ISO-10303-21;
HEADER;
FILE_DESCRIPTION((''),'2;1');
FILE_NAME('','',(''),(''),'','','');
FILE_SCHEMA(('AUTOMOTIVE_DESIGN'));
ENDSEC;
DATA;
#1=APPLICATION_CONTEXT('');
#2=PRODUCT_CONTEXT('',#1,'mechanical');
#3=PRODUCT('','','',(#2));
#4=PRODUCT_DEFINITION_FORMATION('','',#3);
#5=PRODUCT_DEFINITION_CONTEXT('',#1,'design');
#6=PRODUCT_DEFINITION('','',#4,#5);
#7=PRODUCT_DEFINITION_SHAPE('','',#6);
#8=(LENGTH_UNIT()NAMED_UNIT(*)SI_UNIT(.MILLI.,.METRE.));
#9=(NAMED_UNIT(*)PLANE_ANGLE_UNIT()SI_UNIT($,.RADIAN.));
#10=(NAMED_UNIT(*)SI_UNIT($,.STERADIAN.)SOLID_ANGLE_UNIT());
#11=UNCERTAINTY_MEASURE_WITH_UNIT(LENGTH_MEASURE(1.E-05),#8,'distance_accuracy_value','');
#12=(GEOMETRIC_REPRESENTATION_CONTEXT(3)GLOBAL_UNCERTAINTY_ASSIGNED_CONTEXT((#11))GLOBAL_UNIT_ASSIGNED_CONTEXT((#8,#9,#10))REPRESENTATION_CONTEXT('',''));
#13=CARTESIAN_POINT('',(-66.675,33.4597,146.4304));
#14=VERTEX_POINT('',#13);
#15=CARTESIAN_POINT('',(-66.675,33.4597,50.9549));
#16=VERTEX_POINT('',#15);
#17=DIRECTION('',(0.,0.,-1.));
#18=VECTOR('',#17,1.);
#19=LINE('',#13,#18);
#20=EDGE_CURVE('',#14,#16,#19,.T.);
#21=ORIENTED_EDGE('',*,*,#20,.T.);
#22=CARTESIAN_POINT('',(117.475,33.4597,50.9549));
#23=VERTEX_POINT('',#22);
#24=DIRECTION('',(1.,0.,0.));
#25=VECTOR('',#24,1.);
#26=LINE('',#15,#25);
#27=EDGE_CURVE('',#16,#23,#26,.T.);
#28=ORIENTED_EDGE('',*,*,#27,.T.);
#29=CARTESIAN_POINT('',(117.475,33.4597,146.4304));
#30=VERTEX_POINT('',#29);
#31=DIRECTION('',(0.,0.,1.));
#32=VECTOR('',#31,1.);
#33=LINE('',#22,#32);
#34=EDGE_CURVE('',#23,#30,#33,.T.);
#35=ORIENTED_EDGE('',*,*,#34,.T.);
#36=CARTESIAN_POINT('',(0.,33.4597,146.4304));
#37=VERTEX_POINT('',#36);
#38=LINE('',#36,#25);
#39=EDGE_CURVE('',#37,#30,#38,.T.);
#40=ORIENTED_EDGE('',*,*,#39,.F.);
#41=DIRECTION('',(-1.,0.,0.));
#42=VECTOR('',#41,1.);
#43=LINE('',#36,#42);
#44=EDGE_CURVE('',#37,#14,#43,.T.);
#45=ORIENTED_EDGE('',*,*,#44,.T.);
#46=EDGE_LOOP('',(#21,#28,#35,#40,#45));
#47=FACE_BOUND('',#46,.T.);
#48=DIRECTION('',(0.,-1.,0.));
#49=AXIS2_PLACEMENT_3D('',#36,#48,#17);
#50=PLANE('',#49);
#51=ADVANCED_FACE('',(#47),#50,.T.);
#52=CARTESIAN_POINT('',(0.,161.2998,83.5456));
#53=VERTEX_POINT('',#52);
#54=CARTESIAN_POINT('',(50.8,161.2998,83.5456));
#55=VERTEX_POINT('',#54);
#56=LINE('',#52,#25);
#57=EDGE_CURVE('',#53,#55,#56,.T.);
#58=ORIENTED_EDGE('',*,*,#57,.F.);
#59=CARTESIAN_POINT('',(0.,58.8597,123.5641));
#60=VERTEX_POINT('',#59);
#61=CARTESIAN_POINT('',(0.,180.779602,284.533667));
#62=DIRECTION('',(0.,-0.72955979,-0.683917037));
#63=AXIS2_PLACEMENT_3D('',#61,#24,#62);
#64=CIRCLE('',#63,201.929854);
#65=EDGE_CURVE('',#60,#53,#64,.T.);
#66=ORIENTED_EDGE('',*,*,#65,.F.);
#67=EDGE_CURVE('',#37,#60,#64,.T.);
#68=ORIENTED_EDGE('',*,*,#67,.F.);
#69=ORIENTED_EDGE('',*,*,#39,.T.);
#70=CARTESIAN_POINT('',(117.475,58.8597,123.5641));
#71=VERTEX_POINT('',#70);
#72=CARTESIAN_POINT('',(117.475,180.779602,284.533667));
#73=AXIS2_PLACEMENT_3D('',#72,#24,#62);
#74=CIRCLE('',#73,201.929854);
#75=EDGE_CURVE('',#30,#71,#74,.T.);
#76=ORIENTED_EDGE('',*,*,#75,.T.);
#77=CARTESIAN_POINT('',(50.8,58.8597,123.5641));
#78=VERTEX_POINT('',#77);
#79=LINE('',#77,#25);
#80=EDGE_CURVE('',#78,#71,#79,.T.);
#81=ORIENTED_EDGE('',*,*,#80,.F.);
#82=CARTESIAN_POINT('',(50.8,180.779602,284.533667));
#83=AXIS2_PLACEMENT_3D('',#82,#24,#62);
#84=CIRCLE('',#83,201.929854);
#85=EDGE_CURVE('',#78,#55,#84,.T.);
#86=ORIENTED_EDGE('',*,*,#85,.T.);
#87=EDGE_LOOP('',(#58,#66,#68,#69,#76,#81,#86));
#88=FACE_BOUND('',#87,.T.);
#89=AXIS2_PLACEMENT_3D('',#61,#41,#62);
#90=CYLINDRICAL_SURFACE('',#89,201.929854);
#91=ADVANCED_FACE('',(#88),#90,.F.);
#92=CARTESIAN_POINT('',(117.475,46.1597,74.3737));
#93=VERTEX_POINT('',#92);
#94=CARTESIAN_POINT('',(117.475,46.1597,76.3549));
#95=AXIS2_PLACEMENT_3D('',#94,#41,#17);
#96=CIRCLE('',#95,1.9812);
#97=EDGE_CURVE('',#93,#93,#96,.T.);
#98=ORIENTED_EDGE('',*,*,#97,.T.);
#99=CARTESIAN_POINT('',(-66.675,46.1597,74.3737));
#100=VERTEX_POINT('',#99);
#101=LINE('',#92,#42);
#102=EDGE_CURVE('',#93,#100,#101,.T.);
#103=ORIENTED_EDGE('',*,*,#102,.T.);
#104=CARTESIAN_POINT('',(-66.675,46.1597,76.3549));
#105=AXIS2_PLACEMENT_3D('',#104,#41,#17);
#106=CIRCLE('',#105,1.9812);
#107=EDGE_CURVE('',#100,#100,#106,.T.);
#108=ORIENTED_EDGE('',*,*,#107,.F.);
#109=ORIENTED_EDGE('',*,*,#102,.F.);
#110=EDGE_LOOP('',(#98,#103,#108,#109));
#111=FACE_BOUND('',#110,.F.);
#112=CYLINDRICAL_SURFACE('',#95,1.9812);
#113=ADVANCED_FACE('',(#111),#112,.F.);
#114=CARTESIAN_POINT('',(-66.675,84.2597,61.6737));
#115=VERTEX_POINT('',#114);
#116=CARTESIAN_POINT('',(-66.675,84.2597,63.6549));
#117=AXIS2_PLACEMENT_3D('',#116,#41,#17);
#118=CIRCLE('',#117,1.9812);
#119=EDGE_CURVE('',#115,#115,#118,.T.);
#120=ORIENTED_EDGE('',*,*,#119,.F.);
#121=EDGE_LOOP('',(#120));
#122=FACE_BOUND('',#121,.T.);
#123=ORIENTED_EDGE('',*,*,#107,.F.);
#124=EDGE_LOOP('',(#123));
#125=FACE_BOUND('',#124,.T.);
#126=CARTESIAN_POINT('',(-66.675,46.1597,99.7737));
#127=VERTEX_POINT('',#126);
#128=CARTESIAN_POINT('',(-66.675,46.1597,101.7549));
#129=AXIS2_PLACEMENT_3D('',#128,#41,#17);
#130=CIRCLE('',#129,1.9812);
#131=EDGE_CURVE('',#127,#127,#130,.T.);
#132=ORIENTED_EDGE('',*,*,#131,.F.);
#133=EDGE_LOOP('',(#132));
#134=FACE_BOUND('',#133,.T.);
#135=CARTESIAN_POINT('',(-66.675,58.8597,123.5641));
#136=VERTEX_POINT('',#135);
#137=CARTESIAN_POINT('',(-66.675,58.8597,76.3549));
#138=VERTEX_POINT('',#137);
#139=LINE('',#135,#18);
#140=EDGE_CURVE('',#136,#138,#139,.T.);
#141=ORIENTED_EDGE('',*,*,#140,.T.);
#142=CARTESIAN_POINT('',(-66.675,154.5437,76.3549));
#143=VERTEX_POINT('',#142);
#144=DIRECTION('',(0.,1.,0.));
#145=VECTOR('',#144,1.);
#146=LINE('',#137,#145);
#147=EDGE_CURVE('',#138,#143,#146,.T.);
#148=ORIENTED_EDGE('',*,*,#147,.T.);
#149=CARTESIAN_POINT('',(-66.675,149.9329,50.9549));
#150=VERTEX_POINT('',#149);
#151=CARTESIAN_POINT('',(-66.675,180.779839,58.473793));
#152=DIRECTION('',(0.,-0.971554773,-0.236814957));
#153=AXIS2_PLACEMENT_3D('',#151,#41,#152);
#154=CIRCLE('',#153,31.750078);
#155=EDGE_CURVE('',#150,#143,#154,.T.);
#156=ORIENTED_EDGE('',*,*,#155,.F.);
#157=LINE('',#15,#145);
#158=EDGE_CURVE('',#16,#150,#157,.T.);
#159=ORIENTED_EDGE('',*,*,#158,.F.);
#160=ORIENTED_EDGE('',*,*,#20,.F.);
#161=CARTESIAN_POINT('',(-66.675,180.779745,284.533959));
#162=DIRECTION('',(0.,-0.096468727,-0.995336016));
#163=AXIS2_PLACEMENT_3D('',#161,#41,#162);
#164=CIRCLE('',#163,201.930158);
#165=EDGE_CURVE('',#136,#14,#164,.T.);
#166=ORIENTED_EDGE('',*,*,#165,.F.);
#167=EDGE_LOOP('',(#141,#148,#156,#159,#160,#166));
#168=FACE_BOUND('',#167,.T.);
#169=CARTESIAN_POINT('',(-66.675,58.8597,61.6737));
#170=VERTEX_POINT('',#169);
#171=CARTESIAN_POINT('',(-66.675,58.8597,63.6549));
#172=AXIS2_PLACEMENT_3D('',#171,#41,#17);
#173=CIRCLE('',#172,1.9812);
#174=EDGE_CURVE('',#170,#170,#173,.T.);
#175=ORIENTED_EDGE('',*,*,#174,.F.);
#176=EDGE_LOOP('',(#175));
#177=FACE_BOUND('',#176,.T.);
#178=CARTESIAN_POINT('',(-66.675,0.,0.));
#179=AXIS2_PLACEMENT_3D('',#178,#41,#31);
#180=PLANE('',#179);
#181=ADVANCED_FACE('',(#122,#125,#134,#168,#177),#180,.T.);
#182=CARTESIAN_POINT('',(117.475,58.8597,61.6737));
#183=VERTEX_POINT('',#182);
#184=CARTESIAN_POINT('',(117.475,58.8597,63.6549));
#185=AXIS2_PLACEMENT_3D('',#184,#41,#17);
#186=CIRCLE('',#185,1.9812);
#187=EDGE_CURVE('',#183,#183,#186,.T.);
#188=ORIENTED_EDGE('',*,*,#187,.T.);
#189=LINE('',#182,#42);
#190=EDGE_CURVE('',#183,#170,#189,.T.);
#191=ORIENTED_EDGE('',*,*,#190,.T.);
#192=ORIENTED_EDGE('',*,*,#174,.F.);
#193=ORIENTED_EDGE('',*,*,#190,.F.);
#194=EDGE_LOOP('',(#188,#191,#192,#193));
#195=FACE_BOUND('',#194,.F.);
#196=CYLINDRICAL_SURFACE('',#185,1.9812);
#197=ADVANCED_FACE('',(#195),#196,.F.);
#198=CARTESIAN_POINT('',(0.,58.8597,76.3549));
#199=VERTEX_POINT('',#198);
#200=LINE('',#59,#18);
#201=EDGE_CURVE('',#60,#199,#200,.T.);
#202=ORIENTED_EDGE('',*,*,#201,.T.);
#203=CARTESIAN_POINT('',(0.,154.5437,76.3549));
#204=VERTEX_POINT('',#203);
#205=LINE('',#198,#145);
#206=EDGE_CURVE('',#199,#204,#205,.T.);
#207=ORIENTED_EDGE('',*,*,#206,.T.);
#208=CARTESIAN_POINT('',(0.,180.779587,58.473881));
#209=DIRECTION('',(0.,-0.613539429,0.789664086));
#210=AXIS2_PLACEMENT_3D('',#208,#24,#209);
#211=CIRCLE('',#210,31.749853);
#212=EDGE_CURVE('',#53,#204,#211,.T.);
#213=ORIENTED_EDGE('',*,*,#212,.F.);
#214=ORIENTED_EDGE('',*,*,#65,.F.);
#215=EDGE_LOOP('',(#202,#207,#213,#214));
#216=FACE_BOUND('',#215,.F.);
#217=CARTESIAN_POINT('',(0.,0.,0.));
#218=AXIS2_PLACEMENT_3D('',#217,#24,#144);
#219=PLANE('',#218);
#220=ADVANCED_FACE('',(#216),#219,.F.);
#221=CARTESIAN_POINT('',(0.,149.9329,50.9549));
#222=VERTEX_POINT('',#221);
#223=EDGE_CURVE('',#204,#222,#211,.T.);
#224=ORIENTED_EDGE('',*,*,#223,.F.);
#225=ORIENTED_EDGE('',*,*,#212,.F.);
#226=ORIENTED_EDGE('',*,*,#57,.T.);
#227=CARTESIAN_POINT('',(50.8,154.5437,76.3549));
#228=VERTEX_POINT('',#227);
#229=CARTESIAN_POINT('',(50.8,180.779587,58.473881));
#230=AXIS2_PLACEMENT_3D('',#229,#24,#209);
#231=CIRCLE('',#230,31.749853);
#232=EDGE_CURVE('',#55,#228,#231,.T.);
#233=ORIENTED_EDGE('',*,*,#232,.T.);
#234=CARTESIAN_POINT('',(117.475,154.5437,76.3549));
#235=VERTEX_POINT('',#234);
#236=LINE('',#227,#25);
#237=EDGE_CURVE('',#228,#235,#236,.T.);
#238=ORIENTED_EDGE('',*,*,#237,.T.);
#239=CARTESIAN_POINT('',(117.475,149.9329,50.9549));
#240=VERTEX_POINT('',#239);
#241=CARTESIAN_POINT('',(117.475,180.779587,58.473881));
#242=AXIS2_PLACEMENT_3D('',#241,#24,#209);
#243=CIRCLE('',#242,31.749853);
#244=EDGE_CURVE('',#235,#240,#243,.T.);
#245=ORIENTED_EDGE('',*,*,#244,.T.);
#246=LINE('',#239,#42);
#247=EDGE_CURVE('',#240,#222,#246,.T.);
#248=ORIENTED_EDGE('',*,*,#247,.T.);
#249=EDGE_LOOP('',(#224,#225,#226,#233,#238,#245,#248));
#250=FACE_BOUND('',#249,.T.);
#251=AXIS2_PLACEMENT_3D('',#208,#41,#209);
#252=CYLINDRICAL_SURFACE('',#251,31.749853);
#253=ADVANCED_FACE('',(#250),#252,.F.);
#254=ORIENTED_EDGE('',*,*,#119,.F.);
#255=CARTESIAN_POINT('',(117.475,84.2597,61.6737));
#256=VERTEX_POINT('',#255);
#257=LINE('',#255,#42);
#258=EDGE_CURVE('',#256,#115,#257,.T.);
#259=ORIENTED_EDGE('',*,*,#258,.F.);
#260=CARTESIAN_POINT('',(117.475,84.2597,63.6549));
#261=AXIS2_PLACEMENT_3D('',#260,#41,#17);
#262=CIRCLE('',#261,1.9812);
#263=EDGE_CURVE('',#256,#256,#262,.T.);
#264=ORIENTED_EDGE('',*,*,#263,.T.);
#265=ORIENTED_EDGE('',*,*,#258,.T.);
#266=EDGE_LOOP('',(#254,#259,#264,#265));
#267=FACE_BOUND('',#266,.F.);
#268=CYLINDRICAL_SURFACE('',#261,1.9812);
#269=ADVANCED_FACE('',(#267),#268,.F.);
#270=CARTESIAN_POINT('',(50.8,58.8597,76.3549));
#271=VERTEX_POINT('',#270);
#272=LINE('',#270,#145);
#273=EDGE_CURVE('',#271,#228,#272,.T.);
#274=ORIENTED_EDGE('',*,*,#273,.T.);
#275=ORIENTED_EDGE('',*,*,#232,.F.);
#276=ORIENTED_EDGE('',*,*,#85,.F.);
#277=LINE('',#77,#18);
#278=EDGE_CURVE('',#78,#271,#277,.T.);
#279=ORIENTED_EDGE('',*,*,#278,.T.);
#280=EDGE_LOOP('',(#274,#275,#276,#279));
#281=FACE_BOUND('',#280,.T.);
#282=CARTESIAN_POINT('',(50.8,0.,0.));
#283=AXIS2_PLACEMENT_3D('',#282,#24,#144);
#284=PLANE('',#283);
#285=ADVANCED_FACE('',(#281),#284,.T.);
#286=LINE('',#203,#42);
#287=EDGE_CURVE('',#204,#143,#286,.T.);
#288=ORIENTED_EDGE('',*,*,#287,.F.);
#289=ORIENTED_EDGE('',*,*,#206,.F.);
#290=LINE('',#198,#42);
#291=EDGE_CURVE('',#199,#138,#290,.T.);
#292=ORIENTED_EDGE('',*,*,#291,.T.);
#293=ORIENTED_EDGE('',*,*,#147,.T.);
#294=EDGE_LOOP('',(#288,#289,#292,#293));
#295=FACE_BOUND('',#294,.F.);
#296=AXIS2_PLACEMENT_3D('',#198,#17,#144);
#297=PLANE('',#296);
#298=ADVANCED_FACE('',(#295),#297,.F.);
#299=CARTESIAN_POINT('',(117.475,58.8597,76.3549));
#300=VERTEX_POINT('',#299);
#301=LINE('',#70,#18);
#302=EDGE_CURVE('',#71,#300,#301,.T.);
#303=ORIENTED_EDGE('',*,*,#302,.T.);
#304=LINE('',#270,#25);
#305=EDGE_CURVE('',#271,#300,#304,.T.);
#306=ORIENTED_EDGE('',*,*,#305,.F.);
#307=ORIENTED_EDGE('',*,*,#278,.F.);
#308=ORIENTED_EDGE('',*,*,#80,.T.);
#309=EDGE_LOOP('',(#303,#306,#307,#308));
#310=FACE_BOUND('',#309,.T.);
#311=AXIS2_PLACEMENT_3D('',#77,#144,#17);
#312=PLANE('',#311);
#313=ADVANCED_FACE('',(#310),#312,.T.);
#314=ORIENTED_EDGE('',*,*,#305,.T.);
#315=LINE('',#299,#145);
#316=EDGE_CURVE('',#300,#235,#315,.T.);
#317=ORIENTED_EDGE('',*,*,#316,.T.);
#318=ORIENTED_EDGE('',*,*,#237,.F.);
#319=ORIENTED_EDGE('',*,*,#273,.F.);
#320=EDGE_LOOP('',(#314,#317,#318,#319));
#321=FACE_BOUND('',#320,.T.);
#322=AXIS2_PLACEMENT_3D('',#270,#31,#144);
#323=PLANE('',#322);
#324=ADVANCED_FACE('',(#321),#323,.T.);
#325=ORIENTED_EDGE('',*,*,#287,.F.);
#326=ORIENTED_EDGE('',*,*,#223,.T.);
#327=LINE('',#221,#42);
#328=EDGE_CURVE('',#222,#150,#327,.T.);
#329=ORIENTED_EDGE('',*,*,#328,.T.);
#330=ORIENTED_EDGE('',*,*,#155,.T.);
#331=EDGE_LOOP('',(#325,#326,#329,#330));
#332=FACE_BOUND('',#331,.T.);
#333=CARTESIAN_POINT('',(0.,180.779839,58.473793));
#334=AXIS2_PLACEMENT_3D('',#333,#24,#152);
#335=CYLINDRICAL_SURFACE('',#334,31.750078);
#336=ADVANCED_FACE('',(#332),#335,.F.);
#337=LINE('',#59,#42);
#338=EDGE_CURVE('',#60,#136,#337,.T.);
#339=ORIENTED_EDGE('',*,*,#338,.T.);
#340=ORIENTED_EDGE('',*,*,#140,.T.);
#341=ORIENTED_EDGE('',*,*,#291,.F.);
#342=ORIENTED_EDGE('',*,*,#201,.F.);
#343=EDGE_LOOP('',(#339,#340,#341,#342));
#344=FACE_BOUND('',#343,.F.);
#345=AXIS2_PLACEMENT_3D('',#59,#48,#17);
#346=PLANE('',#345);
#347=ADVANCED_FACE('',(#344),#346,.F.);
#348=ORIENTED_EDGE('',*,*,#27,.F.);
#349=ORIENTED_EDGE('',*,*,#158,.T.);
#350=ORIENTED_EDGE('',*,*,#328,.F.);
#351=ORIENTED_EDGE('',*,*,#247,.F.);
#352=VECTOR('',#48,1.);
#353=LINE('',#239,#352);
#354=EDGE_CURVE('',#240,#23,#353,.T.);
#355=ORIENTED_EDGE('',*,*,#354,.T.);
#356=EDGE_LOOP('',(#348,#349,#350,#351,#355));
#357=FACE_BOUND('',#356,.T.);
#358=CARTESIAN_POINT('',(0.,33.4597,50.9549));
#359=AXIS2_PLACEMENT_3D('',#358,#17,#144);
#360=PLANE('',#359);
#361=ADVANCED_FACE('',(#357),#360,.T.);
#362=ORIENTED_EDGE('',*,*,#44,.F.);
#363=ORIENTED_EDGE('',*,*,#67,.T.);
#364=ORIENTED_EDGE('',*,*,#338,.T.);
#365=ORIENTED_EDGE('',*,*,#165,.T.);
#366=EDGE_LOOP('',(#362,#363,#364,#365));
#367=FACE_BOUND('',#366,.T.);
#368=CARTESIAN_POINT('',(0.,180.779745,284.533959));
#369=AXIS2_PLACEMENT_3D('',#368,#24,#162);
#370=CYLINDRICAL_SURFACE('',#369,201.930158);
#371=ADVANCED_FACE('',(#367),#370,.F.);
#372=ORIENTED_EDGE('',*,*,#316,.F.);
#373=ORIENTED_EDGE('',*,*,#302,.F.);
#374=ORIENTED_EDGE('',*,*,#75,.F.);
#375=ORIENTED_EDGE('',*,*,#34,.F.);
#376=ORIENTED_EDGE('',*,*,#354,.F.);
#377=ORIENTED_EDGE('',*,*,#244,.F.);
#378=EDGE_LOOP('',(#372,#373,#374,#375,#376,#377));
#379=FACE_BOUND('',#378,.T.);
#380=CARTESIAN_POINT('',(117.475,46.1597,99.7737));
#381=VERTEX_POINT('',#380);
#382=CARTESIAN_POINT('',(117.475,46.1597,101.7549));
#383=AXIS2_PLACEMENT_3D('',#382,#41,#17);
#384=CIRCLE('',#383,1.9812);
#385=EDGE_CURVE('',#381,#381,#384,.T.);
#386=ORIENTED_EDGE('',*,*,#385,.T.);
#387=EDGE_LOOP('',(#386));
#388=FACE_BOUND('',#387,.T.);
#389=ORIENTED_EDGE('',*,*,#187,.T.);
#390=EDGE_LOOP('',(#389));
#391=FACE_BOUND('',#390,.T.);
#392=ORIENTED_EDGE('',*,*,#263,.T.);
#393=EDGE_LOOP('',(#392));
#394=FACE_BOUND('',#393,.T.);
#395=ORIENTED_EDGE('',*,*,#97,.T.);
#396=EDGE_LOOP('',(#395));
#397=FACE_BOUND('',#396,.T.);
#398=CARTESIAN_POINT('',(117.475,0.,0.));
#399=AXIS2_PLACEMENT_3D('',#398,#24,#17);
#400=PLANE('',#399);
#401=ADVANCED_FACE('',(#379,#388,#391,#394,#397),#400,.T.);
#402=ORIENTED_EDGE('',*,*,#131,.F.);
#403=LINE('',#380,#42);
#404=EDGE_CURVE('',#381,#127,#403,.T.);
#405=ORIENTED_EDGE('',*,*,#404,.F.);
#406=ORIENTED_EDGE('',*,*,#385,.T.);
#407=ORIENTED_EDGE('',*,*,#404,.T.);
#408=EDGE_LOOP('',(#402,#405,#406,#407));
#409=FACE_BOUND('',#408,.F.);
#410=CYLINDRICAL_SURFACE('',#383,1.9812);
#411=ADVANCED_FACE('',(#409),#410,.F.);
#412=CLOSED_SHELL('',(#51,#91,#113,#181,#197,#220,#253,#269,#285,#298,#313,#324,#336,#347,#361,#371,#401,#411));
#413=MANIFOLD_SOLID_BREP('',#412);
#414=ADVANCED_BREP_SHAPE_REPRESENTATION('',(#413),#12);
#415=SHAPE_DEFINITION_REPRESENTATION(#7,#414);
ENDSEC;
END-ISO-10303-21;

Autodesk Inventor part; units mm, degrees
ref_plane "YZ Plane" through (0, 0, 0) normal (1, 0, 0) x (0, 1, 0)
ref_plane "XZ Plane" through (0, 0, 0) normal (0, 1, 0) x (-1, 0, 0)
ref_plane "XY Plane" through (0, 0, 0) normal (0, 0, 1) x (1, 0, 0)
sketch "Sketch1" plane through (0, 0, 0) normal (1, 0, 0) x (0, 1, 0)
  circle A0 centre (180.7797, 284.5338) radius 25.4
  line L0 (-17.3403, 309.9338) -> (-51.2615, 309.9338)
  line L1 (-51.2615, 309.9338) -> (-51.2615, -502.8662)
  line L2 (-51.2615, -502.8662) -> (-17.3403, -502.8662)
  line L3 (-17.3403, -502.8662) -> (-17.3403, 309.9338)
  line L4 (33.4597, 146.4304) -> (33.4597, 50.9549)
  arc A1 (202.8525, 71.0418) -> (198.1508, 77.005) centre (180.7797, 58.4738) ccw
  line L5 (198.1508, 7.6738) -> (231.5797, 7.6738)
  line L6 (231.5797, 7.6738) -> (231.5797, 309.9338)
  line L7 (231.5797, 309.9338) -> (33.4597, 309.9338)
  line L8 (33.4597, 146.4304) -> (33.4597, 50.9549)
  line L9 (198.1508, 76.3549) -> (198.1508, 50.9549)
  line L10 (33.4597, 50.9549) -> (33.4597, 76.3549)
  line L11 (33.4597, 50.9549) -> (58.8597, 50.9549)
  line L12 (33.4597, 119.3221) -> (33.4597, 50.9549)
  line L13 (149.9329, 50.9549) -> (33.4597, 50.9549)
  arc A2 (231.5797, 89.0982) -> (-17.3403, 245.4929) centre (180.7797, 284.5338) ccw
  arc A3 (33.4597, 146.4304) -> (161.2998, 83.5456) centre (180.7797, 284.5338) ccw
  arc A4 (161.2998, 83.5456) -> (149.9329, 50.9549) centre (180.7797, 58.4738) ccw
  arc A5 (198.1508, 70.6079) -> (202.8525, 71.0418) centre (180.7797, 284.5338) ccw
  arc A6 (231.5797, 76.0023) -> (-17.3403, 201.9838) centre (180.7797, 284.5338) ccw
  point P0 (0, 0)
  dimension "d1" = 50.8
  dimension "d2" = 812.8
  dimension "d5" = 25.4
  dimension "d6" = 198.12
  dimension "d10" = 50.8
  dimension "d11" = 50.8
  dimension "d12" = 226.06
  dimension "d15" = 25.4
  dimension "d16" = 50.8
  dimension "d17" = 302.26
  dimension "d18" = 50.8
extrude "Extrusion1" add sketch "Sketch1" along normal blind 50.8 contours A3 A4 L13 L11 L4
sketch "Sketch2" plane through (50.8, 0, 0) normal (1, 0, 0) x (0, 0, -1)
  line L0 (-146.4304, 33.4597) -> (-50.9549, 33.4597) projected
  line L1 (-50.9549, 33.4597) -> (-146.4304, 33.4597)
  line L2 (-123.5641, 58.8597) -> (-76.3549, 58.8597)
  line L3 (-50.9549, 58.8597) -> (-50.9549, 33.4597)
  line L4 (-50.9549, 33.4597) -> (-76.3549, 33.4597)
  line L5 (-76.3549, 58.8597) -> (-76.3549, 154.5437)
  line L6 (-50.9549, 149.9329) -> (-50.9549, 33.4597)
  arc A0 (-146.4304, 33.4597) -> (-83.5456, 161.2998) centre (-284.5338, 180.7797) ccw projected
  arc A1 (-83.5456, 161.2998) -> (-50.9549, 149.9329) centre (-58.4738, 180.7797) ccw projected
  line L7 (-50.9549, 33.4597) -> (-50.9549, 149.9329) projected
  arc A2 (-76.3549, 154.5437) -> (-50.9549, 149.9329) centre (-58.4738, 180.7797) ccw
  arc A3 (-146.4304, 33.4597) -> (-123.5641, 58.8597) centre (-284.5338, 180.7797) ccw
  point P0 (0, 0)
  dimension "d30" = 25.4
  dimension "d31" = 25.4
extrude "Extrusion2" add sketch "Sketch2" along normal blind 66.675 contours A0 L2 L5 A1 L6 L3 L0
sketch "Sketch3" plane through (0, 0, 0) normal (-1, 0, 0) x (0, 0, 1)
  line L0 (76.3549, 58.8597) -> (76.3549, 154.5437) projected
  arc A0 (50.9549, 149.9329) -> (83.5456, 161.2998) centre (58.4738, 180.7797) ccw projected
  line L1 (50.9549, 33.4597) -> (50.9549, 149.9329) projected
  line L2 (146.4304, 33.4597) -> (50.9549, 33.4597) projected
  arc A1 (83.5456, 161.2998) -> (146.4304, 33.4597) centre (284.5338, 180.7797) ccw projected
  line L3 (123.5641, 58.8597) -> (76.3549, 58.8597) projected
  line L4 (76.3549, 154.5437) -> (76.3549, 58.8597) projected
  line L5 (76.3549, 154.5437) -> (76.3549, 58.8597)
  line L6 (76.3549, 58.8597) -> (123.5641, 58.8597)
  line L7 (50.9549, 149.9329) -> (50.9549, 33.4597)
  line L8 (146.4304, 33.4597) -> (50.9549, 33.4597)
  arc A2 (50.9549, 149.9329) -> (76.3549, 154.5437) centre (58.4738, 180.7797) ccw
  arc A3 (123.5641, 58.8597) -> (146.4304, 33.4597) centre (284.5338, 180.7797) ccw
  point P0 (0, 0)
extrude "Extrusion3" add sketch "Sketch3" along normal blind 66.675 contours L3 A1 L2 L1 A0 L0
sketch "Sketch4" plane through (117.475, 0, 0) normal (1, 0, 0) x (0, 0, -1)
  line L0 (-146.4304, 33.4597) -> (-50.9549, 33.4597) projected
  line L1 (-50.9549, 33.4597) -> (-50.9549, 149.9329) projected
  point P0 (0, 0)
  point P1 (-76.3549, 46.1597)
  point P2 (-101.7549, 46.1597)
  point P3 (-63.6549, 58.8597)
  point P4 (-63.6549, 84.2597)
  dimension "d36" = 0
  dimension "d37" = 25.4
  dimension "d38" = 25.4
  dimension "d39" = 0
  dimension "d40" = 25.4
  dimension "d41" = 25.4
  dimension "d42" = 12.7
  dimension "d43" = 12.7
hole "Hole1" at (117.475, 46.1597, 76.3549) at (117.475, 46.1597, 101.7549) at (117.475, 58.8597, 63.6549) at (117.475, 84.2597, 63.6549) direction (-1, 0, 0) diameter 3.9624 end through all thread size "10-32 UNF" class "2B" standard "ANSI Unified Screw Threads"
properties part number "BottomRamp"
